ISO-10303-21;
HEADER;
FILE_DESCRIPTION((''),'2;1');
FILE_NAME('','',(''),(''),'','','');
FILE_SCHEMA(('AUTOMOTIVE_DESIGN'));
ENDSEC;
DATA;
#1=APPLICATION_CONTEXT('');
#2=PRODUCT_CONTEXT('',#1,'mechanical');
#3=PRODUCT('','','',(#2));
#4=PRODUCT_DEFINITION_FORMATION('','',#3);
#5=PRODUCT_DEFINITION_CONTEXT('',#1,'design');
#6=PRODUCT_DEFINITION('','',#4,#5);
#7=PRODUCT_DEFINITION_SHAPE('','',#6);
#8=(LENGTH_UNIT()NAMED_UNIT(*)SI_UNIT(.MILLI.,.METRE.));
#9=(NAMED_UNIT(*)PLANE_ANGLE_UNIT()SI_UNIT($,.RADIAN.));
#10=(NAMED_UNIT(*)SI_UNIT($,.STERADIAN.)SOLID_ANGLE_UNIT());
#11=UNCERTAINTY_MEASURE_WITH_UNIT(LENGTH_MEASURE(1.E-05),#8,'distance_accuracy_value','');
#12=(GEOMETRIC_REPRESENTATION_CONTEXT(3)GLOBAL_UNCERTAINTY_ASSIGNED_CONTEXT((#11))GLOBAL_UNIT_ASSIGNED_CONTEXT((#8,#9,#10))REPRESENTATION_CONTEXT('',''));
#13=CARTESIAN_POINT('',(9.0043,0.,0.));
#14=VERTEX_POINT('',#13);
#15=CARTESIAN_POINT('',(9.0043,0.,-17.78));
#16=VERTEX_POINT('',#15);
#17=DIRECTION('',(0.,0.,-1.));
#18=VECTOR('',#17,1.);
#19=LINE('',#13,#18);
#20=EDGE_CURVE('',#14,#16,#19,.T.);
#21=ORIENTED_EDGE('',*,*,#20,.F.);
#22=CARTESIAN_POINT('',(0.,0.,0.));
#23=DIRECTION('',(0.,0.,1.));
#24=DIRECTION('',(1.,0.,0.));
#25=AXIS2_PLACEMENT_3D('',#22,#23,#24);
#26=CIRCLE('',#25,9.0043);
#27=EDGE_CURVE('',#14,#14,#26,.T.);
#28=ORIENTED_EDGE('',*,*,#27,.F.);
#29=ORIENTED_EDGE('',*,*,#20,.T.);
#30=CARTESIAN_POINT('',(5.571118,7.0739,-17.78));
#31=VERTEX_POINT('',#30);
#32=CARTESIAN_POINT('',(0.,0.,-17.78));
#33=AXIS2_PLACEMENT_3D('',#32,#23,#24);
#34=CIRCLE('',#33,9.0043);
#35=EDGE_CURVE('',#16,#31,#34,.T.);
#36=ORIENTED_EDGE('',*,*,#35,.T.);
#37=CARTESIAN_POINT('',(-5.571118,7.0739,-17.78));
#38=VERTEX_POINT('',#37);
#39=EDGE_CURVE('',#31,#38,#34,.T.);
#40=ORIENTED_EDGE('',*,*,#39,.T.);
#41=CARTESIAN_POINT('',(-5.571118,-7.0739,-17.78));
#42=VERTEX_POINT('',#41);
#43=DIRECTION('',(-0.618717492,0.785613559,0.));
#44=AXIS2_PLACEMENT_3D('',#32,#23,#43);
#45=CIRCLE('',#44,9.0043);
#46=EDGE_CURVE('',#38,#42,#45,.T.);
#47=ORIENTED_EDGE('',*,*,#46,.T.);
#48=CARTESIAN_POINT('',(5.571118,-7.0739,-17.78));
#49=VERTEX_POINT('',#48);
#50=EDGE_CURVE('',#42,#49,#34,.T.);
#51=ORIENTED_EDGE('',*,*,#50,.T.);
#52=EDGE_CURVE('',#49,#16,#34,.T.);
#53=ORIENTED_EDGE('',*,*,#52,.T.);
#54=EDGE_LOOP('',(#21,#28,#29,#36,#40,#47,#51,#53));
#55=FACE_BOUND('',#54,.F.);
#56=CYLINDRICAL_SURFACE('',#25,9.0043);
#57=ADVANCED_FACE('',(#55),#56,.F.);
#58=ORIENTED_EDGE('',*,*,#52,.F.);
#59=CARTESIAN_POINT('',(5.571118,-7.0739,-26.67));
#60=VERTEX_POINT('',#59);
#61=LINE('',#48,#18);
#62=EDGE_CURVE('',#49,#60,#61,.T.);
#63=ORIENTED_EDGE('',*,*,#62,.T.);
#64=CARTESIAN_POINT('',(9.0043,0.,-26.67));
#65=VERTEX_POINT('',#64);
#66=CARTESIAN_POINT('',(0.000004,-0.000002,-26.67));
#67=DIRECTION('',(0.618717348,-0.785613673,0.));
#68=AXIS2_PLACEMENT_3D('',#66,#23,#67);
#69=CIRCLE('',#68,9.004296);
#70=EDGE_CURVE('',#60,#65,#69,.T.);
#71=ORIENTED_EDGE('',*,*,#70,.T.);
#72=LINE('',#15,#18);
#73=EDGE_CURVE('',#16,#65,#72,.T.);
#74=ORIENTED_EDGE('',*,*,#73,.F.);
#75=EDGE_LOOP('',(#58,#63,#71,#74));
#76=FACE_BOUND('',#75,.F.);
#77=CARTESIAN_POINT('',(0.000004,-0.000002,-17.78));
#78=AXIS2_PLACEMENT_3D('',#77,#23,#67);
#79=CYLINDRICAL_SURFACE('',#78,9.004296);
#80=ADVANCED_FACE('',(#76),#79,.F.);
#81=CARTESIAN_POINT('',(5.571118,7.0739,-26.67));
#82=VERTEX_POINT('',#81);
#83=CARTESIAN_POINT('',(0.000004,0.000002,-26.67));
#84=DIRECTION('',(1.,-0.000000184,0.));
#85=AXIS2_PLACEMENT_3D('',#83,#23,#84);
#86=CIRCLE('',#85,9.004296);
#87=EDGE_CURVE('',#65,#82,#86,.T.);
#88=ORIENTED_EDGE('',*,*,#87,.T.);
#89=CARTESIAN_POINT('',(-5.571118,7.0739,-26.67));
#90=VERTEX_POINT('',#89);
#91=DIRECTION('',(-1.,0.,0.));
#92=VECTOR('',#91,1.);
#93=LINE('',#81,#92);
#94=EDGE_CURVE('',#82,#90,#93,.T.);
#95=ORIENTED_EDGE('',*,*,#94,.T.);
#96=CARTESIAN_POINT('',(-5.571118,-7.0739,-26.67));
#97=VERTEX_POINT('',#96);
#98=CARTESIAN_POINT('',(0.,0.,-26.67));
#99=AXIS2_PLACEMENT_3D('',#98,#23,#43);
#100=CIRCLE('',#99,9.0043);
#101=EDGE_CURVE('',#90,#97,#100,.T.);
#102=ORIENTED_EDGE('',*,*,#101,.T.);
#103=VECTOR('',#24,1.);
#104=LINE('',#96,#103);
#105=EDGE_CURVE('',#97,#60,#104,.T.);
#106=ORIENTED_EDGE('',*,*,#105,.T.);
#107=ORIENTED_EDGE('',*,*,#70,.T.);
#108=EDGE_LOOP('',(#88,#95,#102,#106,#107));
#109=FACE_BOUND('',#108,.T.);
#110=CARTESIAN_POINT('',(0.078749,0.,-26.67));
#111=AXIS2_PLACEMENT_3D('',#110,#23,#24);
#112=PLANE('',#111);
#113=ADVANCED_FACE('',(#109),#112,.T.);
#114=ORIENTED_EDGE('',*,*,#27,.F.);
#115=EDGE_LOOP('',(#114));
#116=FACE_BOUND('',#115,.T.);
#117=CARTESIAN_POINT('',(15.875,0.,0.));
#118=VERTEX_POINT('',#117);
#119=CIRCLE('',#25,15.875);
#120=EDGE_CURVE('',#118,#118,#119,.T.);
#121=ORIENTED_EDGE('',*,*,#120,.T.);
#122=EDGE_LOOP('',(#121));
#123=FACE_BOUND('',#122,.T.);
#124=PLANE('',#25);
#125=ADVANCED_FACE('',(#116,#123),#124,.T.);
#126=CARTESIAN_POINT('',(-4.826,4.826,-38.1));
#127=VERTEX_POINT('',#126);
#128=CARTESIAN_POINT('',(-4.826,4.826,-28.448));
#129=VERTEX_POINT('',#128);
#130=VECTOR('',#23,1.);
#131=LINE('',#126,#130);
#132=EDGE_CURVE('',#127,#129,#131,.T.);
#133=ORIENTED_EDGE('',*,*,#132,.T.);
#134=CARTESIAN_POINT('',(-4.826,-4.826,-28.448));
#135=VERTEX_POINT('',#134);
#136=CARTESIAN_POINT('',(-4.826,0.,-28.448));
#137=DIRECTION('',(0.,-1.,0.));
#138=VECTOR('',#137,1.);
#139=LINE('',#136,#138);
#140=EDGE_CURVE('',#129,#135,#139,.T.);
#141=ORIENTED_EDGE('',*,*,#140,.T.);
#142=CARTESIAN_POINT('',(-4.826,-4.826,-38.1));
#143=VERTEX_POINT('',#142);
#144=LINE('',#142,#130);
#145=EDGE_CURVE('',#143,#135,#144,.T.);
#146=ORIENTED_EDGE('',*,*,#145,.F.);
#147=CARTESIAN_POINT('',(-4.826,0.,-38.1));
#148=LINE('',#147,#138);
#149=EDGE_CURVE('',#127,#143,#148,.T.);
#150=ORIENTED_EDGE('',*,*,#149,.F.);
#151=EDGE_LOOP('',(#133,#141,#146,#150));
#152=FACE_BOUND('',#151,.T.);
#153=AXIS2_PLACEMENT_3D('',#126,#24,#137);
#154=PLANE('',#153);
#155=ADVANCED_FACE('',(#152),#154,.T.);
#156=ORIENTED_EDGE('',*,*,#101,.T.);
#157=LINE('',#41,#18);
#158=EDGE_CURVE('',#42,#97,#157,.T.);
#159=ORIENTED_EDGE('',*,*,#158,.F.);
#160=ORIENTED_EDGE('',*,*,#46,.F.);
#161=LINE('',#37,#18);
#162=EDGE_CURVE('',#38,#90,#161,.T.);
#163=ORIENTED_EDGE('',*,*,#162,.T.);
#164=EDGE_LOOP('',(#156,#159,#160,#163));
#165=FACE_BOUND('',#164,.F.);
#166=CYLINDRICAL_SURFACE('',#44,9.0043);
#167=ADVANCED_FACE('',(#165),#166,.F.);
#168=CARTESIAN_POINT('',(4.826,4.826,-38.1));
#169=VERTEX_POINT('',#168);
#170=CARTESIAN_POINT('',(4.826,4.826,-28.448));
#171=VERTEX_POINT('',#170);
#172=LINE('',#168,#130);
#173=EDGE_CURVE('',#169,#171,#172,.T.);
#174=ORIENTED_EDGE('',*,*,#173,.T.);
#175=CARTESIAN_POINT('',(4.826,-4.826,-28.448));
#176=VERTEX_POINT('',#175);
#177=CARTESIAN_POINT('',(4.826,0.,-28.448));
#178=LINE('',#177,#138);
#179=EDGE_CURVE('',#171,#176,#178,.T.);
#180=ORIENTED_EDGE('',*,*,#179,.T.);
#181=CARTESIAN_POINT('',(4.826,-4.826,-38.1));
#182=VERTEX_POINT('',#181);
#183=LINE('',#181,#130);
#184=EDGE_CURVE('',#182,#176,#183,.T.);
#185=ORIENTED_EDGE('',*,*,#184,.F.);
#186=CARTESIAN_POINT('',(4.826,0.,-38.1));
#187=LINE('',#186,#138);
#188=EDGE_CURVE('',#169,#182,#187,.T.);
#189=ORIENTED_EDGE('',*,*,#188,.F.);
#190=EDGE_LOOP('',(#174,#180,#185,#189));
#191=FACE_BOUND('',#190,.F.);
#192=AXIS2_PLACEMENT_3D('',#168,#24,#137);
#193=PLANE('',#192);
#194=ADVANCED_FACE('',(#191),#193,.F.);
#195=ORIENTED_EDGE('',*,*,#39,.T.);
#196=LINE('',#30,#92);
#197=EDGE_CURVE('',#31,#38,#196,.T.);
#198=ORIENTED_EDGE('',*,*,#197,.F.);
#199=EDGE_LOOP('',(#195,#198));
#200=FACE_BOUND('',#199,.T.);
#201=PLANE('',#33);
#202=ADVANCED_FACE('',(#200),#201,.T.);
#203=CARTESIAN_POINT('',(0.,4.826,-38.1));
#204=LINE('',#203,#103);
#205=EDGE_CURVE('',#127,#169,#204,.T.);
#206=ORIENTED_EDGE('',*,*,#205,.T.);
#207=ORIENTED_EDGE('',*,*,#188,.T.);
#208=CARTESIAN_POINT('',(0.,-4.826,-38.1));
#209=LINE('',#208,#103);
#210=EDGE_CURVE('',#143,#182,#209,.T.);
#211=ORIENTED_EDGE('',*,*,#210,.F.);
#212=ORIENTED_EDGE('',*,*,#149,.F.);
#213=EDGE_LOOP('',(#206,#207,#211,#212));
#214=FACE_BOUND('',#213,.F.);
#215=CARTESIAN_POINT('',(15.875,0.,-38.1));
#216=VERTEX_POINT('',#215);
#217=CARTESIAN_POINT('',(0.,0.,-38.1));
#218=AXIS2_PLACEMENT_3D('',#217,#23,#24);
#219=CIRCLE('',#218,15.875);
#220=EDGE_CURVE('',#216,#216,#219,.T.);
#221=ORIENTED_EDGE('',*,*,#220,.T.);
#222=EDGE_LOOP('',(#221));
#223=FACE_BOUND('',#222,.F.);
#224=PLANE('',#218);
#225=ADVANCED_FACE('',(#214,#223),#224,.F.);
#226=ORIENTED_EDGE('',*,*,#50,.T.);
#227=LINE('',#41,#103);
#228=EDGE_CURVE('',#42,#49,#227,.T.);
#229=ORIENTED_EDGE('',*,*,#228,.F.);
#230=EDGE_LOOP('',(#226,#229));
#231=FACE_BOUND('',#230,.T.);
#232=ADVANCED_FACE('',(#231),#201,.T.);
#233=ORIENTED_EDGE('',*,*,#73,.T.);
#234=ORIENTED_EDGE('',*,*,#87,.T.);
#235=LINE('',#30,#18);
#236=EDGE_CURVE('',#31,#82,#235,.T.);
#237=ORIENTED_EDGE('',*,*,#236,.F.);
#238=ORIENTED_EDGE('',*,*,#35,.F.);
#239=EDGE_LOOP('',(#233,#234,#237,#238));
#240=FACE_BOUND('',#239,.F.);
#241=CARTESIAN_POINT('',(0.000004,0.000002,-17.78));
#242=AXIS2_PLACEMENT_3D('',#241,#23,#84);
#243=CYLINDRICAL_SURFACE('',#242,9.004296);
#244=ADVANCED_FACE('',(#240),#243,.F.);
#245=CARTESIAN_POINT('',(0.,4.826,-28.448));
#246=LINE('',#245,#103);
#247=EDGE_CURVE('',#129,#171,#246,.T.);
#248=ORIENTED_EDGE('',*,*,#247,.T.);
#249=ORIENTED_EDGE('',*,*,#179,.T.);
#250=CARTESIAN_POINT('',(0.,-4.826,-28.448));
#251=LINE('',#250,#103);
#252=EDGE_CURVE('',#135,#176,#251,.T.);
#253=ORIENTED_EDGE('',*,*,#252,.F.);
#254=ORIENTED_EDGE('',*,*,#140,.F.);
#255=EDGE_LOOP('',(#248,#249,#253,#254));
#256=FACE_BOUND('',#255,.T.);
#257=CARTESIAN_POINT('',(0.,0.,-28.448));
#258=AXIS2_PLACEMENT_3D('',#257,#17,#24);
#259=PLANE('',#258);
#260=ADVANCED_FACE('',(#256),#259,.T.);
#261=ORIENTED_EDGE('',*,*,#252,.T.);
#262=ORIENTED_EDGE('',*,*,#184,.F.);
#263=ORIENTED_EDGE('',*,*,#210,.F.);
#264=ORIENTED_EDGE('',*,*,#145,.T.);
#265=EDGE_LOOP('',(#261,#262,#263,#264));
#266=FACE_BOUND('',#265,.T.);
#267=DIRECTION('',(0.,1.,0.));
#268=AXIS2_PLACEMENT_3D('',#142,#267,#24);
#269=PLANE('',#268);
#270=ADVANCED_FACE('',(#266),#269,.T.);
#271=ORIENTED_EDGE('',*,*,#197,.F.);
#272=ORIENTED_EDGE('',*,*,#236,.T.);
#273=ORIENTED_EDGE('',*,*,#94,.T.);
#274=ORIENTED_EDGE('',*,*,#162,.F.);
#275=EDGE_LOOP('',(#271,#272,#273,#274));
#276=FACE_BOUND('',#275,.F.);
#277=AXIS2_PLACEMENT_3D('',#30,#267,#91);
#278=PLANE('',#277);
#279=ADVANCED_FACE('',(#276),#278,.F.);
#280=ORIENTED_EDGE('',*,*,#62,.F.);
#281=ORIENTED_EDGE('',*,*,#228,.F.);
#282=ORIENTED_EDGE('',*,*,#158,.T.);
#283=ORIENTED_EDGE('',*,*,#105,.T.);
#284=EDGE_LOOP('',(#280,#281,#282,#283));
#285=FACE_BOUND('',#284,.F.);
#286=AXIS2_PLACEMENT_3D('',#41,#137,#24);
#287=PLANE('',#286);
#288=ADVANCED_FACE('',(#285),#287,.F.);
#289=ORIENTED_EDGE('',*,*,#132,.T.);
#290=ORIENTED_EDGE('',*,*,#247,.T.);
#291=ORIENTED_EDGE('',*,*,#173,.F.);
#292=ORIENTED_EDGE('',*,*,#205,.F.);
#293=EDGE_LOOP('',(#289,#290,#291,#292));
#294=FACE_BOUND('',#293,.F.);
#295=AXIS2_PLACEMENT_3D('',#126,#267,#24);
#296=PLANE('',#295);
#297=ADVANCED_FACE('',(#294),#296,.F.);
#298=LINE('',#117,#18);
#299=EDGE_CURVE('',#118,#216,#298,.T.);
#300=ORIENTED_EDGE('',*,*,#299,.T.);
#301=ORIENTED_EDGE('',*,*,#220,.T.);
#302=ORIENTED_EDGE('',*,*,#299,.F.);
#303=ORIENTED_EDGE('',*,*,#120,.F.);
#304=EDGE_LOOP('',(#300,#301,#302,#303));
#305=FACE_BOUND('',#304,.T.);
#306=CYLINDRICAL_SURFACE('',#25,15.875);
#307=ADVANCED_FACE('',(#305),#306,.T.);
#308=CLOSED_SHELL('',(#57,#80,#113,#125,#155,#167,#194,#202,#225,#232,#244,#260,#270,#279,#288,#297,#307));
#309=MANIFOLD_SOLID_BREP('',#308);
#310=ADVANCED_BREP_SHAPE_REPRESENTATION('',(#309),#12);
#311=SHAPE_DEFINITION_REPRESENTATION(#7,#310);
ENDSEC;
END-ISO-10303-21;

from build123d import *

# Parameters (mm, degrees)
F0_R     = 15.875
F1_DEPTH = 38.1
F2_W     = 9.652
F2_H     = 9.652
F3_DEPTH = 9.652
F4_R     = 9.0043
F5_DEPTH = 17.78
F7_DEPTH = 8.89


with BuildPart() as f1:
    # F0 (on Top) → F1 (new body)
    with BuildSketch(Plane.XY):
        Circle(F0_R)
    extrude(amount=-F1_DEPTH)

    # F2 (on face) → F3 (cut)
    with BuildSketch(Plane(origin=(0, 0, -38.1), x_dir=(1, 0, 0), z_dir=(0, 0, -1))):
        Rectangle(F2_W, F2_H)
    extrude(amount=-F3_DEPTH, mode=Mode.SUBTRACT)

    # F4 (on face) → F5 (cut)
    with BuildSketch(Plane.XY):
        Circle(F4_R)
    extrude(amount=-F5_DEPTH, mode=Mode.SUBTRACT)

    # F6 (on face) → F7 (cut)
    with BuildSketch(Plane.XY.offset(-17.78)):
        with BuildLine():
            Line((5.571118, 7.0739), (-5.571118, 7.0739))
            ThreePointArc((-5.571118, 7.0739), (-9.0043, 0), (-5.571118, -7.0739))
            Line((-5.571118, -7.0739), (5.571118, -7.0739))
            ThreePointArc((5.571118, -7.0739), (8.100662, -3.931501), (9.0043, 0))
            ThreePointArc((9.0043, 0), (8.100662, 3.931501), (5.571118, 7.0739))
        make_face()
    extrude(amount=-F7_DEPTH, mode=Mode.SUBTRACT)


solid = f1.part
